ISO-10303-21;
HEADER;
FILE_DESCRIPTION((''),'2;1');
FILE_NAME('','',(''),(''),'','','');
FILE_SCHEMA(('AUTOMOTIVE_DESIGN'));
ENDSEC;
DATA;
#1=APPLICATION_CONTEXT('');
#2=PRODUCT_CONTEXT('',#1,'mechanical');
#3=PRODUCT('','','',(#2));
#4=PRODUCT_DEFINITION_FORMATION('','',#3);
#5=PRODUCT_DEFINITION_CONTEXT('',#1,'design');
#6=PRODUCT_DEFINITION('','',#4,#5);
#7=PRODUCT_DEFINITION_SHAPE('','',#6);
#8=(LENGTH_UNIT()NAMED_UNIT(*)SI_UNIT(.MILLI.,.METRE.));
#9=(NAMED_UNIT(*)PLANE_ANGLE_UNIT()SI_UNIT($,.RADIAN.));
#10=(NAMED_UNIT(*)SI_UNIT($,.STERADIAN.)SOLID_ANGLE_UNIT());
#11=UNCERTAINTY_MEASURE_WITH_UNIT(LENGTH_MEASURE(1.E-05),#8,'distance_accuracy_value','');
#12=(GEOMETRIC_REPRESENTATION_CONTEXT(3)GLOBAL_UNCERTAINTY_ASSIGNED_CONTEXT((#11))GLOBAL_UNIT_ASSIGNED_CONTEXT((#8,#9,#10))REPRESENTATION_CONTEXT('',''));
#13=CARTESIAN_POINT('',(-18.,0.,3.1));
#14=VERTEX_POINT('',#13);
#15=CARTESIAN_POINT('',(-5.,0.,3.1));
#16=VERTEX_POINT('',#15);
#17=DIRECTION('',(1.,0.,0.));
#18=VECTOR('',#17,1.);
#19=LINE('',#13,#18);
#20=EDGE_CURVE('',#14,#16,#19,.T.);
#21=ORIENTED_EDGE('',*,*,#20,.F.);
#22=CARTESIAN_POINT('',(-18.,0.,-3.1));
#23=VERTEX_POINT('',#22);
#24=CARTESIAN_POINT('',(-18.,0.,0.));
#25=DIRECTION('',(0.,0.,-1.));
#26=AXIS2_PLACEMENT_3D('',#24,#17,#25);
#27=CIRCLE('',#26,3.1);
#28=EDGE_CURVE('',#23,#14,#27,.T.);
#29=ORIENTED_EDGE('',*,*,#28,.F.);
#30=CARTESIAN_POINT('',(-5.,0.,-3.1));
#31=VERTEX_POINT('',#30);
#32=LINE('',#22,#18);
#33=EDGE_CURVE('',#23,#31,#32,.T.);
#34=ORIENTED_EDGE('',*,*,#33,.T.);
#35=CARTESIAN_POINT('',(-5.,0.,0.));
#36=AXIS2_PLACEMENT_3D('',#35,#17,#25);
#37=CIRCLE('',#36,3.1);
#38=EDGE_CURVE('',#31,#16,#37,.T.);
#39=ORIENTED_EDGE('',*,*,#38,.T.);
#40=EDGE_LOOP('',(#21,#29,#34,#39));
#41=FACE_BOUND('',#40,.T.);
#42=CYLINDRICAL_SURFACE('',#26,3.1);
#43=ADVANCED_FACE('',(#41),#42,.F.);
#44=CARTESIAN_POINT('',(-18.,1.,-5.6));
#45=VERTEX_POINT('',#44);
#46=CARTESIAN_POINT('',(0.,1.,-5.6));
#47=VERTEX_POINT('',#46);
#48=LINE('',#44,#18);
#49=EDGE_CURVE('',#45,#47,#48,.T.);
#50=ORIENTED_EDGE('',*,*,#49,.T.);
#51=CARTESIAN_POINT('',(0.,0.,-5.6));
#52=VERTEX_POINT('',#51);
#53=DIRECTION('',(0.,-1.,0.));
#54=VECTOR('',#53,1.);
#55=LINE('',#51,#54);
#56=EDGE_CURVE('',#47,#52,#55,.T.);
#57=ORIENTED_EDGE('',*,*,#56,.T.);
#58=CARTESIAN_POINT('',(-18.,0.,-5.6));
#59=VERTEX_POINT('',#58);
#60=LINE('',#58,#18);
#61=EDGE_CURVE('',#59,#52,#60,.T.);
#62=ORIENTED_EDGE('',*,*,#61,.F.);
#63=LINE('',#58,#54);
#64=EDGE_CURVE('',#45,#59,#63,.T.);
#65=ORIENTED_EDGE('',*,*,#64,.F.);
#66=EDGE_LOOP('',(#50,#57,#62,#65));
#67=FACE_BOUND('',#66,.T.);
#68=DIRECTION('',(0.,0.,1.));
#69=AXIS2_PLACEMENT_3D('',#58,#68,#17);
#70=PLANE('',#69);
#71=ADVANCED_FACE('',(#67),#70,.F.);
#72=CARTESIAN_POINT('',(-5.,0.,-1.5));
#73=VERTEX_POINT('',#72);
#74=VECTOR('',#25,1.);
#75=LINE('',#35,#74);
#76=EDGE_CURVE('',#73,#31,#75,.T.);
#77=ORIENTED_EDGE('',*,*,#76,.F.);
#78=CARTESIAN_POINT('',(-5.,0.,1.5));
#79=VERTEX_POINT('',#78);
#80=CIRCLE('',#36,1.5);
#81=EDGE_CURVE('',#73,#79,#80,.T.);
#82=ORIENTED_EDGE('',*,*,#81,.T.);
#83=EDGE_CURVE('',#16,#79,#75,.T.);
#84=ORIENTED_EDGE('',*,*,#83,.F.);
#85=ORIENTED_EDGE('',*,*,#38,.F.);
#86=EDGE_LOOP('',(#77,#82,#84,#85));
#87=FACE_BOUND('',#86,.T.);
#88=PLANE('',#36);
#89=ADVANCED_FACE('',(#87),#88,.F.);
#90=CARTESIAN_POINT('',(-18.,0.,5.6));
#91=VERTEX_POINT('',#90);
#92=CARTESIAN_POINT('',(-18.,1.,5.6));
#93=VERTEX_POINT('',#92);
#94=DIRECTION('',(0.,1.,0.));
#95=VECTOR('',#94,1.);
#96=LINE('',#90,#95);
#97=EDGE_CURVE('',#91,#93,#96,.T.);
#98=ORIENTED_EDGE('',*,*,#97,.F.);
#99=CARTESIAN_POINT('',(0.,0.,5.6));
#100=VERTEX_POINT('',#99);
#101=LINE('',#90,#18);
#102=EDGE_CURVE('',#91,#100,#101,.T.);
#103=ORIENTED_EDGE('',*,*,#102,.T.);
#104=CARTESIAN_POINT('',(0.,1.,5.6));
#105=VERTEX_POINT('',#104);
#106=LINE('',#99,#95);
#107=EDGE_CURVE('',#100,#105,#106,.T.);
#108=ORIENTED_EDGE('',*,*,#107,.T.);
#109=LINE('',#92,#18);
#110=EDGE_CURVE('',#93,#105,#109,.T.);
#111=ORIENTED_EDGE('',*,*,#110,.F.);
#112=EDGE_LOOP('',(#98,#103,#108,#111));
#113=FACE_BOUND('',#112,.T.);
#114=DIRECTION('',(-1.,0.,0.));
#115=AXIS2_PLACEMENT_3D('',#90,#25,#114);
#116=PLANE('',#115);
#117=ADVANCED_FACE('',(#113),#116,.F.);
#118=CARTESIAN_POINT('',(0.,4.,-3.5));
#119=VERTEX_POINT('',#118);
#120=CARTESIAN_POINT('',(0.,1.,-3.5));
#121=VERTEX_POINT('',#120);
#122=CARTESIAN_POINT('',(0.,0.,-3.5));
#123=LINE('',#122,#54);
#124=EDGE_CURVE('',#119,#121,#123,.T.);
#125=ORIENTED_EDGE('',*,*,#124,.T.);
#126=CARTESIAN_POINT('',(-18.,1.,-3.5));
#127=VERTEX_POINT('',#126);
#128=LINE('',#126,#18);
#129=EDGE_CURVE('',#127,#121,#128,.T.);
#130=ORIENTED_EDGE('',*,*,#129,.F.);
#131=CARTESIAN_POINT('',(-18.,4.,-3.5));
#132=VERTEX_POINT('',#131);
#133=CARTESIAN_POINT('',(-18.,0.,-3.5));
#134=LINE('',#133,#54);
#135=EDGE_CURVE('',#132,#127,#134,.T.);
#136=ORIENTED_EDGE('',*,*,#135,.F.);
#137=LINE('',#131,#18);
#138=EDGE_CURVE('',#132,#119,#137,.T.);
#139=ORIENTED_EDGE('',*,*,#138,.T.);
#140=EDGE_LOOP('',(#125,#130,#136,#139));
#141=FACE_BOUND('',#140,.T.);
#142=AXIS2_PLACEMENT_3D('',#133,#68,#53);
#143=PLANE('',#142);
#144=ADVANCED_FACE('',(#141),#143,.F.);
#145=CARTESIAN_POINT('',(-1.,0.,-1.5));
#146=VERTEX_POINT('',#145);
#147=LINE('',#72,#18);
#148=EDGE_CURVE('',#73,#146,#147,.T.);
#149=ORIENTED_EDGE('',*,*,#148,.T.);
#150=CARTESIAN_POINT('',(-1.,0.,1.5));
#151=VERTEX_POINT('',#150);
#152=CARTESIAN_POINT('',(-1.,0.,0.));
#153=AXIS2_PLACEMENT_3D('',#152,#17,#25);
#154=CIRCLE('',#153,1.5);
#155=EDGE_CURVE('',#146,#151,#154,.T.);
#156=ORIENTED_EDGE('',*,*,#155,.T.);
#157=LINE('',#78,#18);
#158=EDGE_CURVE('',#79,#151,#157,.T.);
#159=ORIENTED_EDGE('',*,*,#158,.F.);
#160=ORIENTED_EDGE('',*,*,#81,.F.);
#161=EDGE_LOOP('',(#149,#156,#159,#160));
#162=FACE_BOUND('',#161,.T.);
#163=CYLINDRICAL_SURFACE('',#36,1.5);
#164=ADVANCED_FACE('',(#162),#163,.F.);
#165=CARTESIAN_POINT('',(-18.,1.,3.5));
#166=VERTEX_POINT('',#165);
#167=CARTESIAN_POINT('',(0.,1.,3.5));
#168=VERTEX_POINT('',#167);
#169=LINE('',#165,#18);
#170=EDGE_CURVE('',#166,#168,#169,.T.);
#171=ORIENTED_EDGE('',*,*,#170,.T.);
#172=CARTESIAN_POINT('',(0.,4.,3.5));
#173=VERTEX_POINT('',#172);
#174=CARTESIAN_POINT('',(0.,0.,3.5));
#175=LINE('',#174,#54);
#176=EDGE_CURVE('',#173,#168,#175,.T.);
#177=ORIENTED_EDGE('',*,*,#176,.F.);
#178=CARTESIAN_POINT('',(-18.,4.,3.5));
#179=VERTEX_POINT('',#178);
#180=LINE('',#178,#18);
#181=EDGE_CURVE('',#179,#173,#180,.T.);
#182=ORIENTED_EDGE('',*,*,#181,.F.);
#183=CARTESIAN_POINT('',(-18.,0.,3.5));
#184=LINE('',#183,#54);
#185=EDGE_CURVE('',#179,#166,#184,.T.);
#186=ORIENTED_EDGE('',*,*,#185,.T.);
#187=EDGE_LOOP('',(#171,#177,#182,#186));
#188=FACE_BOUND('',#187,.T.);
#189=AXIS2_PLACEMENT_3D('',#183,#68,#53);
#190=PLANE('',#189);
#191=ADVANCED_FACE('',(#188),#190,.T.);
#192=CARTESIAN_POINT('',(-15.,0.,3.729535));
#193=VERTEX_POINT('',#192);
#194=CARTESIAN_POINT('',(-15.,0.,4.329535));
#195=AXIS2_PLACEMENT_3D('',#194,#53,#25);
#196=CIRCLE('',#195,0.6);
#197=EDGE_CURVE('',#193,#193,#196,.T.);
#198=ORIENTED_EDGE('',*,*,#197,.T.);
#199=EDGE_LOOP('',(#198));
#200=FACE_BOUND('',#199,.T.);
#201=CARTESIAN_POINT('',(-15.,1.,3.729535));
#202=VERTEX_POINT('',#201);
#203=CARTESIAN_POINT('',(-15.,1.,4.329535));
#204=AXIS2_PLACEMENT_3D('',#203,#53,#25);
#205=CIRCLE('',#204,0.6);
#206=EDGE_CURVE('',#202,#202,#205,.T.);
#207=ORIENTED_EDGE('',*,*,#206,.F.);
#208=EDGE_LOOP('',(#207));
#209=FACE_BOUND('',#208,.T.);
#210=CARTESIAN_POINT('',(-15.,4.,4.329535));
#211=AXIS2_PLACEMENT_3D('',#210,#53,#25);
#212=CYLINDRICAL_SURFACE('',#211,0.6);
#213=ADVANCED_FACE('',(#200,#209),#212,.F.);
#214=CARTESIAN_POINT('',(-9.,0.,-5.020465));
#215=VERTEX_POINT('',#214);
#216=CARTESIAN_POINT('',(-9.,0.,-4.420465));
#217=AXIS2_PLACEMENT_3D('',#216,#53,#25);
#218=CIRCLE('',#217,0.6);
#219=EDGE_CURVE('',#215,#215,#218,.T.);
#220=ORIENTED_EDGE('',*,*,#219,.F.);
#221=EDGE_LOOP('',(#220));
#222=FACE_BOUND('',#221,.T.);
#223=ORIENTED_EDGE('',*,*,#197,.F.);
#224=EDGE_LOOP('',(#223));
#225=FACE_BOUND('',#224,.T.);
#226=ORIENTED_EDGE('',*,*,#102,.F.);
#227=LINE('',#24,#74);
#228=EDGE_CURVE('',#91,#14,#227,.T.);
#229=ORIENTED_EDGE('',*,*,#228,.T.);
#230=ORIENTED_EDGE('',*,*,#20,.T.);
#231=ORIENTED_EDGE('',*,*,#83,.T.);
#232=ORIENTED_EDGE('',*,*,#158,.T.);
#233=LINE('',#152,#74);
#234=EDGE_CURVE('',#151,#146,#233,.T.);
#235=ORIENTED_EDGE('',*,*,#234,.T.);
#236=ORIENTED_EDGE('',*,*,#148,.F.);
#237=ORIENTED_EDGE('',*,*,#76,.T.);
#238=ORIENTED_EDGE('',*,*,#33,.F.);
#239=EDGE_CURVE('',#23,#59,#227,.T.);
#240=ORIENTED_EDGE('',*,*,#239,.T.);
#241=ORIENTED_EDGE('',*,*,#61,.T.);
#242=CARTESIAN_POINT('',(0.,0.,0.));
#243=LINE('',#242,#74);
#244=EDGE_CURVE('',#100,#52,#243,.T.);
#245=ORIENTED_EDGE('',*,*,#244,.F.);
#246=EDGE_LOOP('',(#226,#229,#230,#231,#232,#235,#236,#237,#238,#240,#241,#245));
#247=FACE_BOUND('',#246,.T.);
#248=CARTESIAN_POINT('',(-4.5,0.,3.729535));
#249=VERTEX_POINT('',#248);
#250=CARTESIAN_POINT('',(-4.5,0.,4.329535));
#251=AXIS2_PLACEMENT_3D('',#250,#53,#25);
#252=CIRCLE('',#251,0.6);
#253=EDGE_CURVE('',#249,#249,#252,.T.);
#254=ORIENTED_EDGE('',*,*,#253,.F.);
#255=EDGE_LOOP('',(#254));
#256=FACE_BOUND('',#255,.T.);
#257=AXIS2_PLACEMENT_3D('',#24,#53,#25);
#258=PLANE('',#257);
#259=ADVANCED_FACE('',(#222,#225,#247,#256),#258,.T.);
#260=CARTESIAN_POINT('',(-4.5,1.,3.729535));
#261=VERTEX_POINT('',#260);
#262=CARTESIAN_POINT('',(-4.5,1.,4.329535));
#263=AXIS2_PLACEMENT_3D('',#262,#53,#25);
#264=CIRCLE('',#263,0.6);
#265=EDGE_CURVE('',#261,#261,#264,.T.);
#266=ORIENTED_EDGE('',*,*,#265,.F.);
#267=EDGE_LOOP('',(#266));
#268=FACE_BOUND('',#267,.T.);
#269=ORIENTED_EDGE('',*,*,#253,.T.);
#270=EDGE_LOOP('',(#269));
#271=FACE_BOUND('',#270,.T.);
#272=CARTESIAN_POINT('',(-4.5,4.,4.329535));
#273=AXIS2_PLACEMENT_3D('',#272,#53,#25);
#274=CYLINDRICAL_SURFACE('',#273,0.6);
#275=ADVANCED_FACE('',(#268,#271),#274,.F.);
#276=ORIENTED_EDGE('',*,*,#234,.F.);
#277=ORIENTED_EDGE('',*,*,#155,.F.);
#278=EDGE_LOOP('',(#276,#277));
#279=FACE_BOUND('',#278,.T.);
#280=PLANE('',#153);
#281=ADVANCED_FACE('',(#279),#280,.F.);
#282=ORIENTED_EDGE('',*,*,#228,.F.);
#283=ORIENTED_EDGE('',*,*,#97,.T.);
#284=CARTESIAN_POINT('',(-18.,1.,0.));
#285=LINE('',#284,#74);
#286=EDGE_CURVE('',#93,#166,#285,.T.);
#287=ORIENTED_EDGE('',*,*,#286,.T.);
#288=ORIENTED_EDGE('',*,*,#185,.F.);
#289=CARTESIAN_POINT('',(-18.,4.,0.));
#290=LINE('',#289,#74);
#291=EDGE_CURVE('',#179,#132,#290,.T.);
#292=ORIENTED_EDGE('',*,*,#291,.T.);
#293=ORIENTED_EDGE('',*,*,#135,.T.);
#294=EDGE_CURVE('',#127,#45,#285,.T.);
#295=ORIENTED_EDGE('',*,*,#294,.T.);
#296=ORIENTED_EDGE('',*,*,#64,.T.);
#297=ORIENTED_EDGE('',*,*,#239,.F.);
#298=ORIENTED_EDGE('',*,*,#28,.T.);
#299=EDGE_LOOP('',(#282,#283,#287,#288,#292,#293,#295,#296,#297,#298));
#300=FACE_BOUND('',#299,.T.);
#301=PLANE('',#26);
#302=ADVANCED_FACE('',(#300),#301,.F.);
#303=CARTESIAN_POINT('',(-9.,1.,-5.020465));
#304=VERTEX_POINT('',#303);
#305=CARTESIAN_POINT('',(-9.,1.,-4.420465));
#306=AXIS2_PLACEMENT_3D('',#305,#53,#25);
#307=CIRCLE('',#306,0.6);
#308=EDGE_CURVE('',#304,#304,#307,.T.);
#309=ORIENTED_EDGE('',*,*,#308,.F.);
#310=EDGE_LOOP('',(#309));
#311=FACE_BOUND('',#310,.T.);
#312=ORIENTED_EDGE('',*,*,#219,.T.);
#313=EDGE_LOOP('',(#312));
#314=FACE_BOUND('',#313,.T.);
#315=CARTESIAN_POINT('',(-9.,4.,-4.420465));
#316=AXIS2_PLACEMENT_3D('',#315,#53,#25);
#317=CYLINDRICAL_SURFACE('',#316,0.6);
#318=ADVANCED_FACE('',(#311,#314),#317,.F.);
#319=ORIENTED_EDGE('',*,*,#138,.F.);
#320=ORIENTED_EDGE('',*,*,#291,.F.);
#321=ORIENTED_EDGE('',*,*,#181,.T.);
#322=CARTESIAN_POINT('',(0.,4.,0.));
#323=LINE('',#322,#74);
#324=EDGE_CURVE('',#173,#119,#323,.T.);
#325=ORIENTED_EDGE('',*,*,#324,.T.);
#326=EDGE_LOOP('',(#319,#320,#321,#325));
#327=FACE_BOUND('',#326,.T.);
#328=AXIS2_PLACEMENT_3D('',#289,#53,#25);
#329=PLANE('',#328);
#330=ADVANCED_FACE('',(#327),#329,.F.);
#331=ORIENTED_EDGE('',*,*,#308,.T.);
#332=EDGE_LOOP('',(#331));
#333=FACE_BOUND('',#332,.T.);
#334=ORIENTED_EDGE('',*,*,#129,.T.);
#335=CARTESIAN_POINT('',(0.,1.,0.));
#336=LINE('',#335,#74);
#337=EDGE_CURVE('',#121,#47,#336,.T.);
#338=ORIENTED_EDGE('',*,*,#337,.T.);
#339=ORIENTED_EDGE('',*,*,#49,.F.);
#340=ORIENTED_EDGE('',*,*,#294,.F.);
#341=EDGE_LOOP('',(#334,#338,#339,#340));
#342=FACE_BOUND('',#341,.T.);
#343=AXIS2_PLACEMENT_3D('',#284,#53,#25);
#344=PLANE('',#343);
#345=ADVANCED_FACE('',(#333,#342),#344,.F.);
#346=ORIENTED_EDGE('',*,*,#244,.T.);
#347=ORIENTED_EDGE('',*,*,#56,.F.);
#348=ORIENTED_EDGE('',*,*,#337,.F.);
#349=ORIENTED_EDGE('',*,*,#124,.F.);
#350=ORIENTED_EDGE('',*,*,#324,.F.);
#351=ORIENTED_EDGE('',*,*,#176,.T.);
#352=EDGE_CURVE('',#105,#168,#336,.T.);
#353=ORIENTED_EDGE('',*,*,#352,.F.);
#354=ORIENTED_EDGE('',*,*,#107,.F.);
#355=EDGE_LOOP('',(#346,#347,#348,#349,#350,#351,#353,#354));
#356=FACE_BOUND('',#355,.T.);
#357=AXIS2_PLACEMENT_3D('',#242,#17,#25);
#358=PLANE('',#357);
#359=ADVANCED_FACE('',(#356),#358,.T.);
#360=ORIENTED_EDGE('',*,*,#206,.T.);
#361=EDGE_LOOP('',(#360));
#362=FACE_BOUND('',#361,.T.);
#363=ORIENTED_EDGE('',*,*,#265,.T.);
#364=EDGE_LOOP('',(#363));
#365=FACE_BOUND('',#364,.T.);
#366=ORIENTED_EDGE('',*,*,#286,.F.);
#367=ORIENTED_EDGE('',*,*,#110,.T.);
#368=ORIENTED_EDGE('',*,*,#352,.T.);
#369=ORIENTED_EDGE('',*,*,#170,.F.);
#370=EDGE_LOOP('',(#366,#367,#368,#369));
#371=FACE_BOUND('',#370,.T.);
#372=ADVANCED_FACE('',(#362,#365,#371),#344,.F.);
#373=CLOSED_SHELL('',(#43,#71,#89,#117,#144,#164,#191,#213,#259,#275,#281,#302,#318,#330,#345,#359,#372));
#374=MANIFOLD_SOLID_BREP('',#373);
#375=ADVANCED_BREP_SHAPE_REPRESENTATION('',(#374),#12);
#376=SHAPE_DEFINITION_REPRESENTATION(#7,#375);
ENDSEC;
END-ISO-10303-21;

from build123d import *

# Parameters (mm, degrees)
EXTRUDE_1_DEPTH     = 18
EXTRUDE_2_DEPTH     = 5
EXTRUDE_3_DEPTH     = 1
SKETCH_2_R          = 0.6
CUT_EXTRUDE_1_DEPTH = 20.270703153


with BuildPart() as part:
    # 草图1 → 凸台-拉伸1 (new body)
    with BuildSketch(Plane(origin=(0, 0, 0), x_dir=(0, 0, -1), z_dir=(1, 0, 0))):
        with BuildLine():
            Line((-5.6, 1), (-5.6, 0))
            Line((-5.6, 0), (-3.1, 0))
            ThreePointArc((-3.1, 0), (0, 3.1), (3.1, 0))
            Line((3.1, 0), (5.6, 0))
            Line((5.6, 0), (5.6, 1))
            Line((5.6, 1), (3.5, 1))
            Line((3.5, 1), (3.5, 4))
            Line((3.5, 4), (-3.5, 4))
            Line((-3.5, 4), (-3.5, 1))
            Line((-3.5, 1), (-5.6, 1))
        make_face()
    extrude(amount=-EXTRUDE_1_DEPTH)

    # 草图1<6> → 凸台-拉伸2 (add)
    with BuildSketch(Plane(origin=(0, 0, 0), x_dir=(0, 0, -1), z_dir=(1, 0, 0))):
        with BuildLine():
            ThreePointArc((3.1, 0), (0, 3.1), (-3.1, 0))
            Line((-3.1, 0), (-1.5, 0))
            ThreePointArc((-1.5, 0), (0, 1.5), (1.5, 0))
            Line((1.5, 0), (3.1, 0))
        make_face()
    extrude(amount=-EXTRUDE_2_DEPTH)

    # 草图1<7> → 凸台-拉伸3 (add)
    with BuildSketch(Plane(origin=(0, 0, 0), x_dir=(0, 0, -1), z_dir=(1, 0, 0))):
        with BuildLine():
            ThreePointArc((1.5, 0), (0, 1.5), (-1.5, 0))
            Line((-1.5, 0), (1.5, 0))
        make_face()
    extrude(amount=-EXTRUDE_3_DEPTH)

    # 草图2 → 切除-拉伸1 (cut, through all)
    with BuildSketch(Plane.XZ):
        with Locations((-15, 4.329534947)):
            Circle(SKETCH_2_R)
        with Locations((-4.5, 4.329534947)):
            Circle(SKETCH_2_R)
        with Locations((-9, -4.420465053)):
            Circle(SKETCH_2_R)
    extrude(amount=-CUT_EXTRUDE_1_DEPTH, mode=Mode.SUBTRACT)


solid = part.part
